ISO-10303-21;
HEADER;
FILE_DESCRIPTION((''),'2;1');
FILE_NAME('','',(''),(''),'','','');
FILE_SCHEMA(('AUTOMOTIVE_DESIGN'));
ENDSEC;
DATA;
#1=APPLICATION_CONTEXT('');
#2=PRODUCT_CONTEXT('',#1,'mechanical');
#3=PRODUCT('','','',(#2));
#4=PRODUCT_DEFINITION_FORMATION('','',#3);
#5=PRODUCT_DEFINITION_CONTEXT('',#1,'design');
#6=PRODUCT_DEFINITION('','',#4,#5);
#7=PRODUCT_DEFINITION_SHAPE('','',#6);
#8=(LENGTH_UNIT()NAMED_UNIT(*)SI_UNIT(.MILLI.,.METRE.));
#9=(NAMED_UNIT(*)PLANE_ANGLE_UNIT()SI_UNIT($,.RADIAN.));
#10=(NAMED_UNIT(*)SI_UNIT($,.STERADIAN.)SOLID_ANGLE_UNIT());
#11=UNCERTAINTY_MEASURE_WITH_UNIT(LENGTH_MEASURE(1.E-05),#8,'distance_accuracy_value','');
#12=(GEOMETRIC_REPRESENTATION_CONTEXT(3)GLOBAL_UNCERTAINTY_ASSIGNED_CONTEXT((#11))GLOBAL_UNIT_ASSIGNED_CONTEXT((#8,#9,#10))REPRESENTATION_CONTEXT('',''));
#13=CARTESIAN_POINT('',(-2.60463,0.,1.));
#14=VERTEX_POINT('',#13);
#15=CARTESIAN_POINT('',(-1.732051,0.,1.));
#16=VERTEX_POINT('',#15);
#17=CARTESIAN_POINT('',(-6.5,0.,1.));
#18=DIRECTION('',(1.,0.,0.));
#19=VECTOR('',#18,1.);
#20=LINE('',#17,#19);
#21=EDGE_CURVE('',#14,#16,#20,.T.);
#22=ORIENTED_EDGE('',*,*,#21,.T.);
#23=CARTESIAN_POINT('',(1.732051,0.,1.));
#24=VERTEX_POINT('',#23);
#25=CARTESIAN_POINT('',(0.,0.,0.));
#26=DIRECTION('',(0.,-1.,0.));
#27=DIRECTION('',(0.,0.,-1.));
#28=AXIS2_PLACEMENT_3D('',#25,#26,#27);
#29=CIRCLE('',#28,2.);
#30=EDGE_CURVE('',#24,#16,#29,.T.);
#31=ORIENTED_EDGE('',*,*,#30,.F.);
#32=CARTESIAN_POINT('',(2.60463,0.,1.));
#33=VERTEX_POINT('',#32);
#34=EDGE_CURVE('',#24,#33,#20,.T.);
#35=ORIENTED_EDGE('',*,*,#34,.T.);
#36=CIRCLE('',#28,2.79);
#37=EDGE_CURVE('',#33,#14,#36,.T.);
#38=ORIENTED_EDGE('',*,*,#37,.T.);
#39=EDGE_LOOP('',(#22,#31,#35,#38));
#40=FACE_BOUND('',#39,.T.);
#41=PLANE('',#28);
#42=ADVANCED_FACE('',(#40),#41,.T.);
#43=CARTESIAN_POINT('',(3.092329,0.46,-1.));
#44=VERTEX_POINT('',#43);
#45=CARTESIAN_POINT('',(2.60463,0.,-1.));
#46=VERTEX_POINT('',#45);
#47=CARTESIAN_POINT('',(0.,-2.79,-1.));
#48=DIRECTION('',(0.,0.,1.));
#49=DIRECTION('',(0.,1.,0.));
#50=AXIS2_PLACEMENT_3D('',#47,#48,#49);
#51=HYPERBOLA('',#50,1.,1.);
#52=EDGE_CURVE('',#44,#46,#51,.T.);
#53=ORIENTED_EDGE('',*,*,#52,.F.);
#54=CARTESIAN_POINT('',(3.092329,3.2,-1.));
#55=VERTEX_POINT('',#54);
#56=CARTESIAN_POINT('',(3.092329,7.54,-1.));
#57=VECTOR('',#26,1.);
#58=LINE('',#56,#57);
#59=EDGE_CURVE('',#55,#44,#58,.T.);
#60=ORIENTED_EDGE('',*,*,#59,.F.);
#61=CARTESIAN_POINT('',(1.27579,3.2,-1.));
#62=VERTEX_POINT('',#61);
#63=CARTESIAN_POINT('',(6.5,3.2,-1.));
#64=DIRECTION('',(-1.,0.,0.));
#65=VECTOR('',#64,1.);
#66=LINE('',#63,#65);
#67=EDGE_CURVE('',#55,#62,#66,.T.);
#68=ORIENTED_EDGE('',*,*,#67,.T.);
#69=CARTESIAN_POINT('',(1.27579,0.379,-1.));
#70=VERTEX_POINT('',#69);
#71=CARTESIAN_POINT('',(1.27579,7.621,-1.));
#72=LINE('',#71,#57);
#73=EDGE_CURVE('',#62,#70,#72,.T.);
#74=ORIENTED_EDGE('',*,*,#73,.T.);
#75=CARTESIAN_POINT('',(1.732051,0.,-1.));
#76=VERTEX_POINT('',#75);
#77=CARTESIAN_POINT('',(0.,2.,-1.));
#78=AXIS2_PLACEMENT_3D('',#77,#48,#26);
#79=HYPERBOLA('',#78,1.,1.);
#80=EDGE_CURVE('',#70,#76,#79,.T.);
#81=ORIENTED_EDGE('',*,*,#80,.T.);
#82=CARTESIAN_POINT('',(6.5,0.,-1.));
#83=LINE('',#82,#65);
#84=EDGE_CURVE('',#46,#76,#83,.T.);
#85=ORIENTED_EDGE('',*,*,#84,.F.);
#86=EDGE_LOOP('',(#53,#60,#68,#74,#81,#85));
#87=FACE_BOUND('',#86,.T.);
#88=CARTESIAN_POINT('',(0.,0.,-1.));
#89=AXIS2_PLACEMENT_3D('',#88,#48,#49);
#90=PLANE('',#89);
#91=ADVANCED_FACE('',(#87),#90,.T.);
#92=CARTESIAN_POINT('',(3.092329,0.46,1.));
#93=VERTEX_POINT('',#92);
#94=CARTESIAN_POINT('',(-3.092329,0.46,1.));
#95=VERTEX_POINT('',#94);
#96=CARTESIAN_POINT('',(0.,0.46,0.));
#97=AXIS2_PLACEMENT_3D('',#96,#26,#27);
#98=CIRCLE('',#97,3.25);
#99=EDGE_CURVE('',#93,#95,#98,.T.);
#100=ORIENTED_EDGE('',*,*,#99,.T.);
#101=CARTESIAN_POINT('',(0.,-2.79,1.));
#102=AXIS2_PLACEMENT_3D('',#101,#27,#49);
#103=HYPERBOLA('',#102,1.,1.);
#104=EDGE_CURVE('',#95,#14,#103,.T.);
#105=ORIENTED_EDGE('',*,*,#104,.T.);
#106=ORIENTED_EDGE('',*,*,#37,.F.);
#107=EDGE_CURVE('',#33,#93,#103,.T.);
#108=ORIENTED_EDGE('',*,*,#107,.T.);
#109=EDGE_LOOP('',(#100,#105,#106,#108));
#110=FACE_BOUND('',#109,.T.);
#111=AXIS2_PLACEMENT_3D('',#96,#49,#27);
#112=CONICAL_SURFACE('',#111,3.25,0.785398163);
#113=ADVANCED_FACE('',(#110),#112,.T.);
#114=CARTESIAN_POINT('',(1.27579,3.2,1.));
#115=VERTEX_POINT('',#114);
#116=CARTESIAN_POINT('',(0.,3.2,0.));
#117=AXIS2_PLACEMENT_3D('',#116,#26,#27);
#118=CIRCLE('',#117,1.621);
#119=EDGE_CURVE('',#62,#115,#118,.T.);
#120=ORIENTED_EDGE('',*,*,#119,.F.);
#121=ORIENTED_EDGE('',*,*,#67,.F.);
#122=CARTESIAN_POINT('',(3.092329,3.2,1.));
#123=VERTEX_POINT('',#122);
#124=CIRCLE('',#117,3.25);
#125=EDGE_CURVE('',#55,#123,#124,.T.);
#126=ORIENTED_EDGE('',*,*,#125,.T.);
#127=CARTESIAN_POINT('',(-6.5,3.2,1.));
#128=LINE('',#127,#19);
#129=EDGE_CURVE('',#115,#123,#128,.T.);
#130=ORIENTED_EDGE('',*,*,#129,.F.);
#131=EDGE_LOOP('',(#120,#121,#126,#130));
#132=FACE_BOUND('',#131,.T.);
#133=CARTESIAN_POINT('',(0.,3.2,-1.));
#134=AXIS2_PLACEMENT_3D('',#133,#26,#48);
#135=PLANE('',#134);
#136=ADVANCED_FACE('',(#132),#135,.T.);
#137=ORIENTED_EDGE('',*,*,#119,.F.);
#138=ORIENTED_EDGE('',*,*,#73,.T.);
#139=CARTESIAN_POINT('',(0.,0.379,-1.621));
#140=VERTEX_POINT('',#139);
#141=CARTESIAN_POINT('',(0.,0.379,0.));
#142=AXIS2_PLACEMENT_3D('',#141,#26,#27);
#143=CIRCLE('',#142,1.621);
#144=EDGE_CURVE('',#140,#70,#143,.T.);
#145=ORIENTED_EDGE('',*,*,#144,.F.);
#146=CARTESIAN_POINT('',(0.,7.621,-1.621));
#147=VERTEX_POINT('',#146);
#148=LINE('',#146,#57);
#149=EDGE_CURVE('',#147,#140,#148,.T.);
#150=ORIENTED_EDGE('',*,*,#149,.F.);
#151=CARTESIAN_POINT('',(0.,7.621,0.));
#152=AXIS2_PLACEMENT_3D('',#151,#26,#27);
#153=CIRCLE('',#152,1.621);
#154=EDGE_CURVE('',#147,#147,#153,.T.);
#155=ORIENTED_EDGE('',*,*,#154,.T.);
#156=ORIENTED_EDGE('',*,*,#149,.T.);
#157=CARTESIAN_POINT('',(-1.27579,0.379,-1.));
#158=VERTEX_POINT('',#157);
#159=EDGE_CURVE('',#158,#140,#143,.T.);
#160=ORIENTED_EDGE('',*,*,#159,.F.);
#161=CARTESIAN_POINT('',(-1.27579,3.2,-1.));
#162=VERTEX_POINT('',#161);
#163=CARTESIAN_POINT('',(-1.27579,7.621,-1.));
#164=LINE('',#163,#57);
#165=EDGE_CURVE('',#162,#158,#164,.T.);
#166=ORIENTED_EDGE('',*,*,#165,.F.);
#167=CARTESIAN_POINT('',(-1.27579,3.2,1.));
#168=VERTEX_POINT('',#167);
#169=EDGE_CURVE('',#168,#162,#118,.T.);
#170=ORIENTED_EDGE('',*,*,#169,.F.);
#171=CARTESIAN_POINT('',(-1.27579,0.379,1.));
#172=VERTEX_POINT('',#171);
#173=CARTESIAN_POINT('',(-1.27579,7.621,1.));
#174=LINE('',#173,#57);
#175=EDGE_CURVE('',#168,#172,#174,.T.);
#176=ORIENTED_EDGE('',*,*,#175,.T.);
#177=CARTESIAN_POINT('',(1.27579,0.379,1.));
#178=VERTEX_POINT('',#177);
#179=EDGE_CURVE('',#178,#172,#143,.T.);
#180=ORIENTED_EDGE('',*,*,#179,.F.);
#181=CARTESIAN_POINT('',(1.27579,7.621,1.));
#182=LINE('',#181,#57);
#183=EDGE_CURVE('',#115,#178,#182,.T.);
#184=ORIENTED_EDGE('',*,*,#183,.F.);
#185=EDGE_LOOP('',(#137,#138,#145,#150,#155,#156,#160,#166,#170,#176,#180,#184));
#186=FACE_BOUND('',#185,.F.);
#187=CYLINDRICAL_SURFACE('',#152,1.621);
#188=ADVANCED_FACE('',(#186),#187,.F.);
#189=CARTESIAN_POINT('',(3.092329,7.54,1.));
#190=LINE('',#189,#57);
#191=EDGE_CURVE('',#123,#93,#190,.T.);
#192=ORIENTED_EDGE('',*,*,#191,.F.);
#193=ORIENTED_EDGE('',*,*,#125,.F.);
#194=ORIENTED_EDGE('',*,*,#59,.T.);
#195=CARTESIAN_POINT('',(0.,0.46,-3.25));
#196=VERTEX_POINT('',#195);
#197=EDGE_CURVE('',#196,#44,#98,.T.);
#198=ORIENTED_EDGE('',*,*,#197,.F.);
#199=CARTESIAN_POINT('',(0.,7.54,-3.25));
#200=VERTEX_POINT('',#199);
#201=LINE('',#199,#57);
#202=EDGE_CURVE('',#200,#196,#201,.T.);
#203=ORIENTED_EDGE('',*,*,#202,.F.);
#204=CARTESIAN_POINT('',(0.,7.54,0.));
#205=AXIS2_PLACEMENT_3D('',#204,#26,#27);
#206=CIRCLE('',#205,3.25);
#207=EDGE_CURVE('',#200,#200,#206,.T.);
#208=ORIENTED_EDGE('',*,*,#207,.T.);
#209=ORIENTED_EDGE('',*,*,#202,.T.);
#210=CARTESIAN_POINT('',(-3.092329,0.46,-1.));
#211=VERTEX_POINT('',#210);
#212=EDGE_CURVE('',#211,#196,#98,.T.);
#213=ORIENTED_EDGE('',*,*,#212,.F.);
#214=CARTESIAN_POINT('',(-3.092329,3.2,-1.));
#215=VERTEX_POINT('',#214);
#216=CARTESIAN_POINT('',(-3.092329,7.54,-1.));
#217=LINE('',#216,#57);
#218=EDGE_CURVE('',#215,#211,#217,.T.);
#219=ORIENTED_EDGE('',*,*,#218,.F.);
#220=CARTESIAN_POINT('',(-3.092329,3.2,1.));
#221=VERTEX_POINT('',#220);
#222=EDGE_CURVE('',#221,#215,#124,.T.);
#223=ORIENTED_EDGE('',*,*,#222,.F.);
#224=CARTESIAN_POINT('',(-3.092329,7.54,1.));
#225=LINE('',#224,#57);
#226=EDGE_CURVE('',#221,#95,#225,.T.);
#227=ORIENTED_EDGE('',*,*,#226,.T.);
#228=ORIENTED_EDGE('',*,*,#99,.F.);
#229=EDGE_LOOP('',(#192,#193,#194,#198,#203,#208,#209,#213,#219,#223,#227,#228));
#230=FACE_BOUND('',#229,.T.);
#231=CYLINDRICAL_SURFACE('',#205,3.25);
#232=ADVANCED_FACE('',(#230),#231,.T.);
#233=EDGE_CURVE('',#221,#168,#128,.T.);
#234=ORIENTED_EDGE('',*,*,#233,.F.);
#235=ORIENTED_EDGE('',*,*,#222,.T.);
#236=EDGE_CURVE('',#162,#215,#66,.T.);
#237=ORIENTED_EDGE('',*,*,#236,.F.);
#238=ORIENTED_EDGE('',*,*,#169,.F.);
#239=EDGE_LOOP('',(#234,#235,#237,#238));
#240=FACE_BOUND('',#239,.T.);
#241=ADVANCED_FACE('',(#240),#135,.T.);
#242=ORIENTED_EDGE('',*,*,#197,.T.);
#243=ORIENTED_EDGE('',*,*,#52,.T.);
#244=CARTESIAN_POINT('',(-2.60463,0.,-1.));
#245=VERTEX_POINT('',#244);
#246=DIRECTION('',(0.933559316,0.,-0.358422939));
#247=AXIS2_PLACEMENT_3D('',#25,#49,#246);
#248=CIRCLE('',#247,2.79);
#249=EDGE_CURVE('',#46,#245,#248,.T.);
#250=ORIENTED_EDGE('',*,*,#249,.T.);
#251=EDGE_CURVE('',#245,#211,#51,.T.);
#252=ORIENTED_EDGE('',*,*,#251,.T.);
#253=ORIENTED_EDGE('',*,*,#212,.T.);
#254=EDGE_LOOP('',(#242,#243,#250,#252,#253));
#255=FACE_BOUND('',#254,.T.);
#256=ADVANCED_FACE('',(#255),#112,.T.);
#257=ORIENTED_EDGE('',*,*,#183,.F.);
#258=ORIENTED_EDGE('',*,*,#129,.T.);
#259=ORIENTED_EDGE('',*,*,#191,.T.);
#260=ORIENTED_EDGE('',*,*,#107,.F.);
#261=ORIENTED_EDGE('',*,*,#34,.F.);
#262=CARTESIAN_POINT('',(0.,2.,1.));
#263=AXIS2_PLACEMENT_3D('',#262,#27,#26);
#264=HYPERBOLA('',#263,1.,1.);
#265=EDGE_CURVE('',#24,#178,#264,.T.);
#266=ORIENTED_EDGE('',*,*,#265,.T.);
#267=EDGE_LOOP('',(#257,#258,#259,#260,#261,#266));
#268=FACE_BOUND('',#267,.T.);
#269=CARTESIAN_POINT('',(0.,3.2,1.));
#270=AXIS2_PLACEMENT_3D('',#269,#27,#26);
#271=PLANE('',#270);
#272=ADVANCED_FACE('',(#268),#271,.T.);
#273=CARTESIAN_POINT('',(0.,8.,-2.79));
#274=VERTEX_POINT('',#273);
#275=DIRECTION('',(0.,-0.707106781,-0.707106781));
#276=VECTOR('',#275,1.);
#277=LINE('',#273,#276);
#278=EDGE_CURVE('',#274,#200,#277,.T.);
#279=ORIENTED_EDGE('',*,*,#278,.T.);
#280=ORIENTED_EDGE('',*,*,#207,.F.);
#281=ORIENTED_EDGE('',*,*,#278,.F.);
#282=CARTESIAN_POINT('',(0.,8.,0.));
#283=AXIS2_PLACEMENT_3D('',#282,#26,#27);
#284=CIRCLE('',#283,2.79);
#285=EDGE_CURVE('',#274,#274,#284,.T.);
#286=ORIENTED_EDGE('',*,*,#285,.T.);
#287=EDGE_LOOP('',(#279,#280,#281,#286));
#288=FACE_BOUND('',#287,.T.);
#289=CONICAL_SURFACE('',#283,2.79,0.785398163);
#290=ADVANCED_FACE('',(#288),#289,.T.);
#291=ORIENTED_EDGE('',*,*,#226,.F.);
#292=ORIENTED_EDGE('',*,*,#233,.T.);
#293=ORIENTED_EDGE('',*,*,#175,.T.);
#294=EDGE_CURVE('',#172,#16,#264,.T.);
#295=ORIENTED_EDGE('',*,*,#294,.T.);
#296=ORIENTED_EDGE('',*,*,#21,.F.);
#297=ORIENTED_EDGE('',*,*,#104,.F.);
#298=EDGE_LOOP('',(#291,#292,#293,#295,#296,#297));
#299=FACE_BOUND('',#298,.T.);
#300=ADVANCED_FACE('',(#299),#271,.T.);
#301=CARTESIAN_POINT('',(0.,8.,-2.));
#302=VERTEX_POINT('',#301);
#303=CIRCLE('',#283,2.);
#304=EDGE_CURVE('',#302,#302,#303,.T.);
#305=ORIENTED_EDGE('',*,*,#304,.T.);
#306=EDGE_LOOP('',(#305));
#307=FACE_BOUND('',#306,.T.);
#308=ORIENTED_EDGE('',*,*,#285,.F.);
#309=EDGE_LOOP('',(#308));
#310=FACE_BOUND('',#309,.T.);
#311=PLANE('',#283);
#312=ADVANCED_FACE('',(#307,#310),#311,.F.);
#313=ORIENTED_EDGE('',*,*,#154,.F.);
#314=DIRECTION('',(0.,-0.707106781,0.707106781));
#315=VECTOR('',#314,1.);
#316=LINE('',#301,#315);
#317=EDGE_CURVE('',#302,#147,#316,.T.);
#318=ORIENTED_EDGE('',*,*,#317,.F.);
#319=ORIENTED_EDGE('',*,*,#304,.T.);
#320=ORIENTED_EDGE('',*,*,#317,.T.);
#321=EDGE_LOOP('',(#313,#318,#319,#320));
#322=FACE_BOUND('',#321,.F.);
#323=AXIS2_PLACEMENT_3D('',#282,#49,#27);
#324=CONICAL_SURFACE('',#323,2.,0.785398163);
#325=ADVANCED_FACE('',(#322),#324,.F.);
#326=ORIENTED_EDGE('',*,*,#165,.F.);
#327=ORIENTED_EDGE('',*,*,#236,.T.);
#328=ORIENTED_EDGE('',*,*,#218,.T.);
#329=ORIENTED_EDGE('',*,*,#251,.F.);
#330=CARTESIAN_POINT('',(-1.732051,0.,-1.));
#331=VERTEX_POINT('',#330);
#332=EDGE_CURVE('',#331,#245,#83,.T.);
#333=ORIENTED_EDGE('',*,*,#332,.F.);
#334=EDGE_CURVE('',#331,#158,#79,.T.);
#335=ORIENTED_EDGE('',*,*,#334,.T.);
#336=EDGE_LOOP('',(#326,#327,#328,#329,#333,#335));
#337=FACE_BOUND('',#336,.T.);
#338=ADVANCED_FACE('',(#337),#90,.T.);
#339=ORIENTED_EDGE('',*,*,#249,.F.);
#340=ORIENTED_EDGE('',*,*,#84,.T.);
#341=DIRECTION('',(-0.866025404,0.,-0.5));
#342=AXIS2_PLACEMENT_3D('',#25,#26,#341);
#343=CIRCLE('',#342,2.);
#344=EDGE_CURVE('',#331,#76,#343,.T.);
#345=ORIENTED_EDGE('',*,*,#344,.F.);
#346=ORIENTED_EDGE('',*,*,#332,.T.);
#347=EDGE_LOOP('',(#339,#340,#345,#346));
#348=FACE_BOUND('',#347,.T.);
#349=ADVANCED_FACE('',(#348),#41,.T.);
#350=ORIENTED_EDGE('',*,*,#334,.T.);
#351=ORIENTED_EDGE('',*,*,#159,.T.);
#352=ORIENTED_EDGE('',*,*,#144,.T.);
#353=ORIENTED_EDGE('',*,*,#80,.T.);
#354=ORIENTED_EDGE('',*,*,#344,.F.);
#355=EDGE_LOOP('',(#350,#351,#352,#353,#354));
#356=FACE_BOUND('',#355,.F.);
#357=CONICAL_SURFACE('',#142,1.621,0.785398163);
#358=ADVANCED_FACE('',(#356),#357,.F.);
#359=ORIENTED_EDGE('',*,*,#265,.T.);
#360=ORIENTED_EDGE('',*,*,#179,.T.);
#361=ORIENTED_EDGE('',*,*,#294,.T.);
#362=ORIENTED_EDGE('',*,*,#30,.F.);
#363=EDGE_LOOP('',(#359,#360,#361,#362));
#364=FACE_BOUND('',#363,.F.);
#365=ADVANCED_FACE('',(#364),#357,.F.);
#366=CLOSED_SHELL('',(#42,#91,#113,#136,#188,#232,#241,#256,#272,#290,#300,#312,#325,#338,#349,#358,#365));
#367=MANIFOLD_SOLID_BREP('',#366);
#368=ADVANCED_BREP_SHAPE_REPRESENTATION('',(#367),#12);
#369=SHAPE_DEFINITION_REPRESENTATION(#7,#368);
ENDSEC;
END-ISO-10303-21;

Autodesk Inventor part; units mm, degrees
ref_plane "YZ Plane" through (0, 0, 0) normal (1, 0, 0) x (0, 1, 0)
ref_plane "XZ Plane" through (0, 0, 0) normal (0, 1, 0) x (-1, 0, 0)
ref_plane "XY Plane" through (0, 0, 0) normal (0, 0, 1) x (1, 0, 0)
sketch "__4" plane through (0, 0, 0) normal (1, 0, 0) x (0, 1, 0)
  line L0 (0, 0) -> (8, 0)
  line L1 (8, 0) -> (8, -2.79)
  line L2 (8, -2.79) -> (7.54, -3.25)
  line L3 (7.54, -3.25) -> (0.46, -3.25)
  line L4 (0.46, -3.25) -> (0, -2.79)
  line L5 (0, -2.79) -> (0, 0)
  line L6 (0, 0) -> (8, 0)
revolve "Revolution1" add sketch "__4" angle 360 about axis through (0, 0, 0) along (0, -1, 0)
sketch "__5" plane through (0, 0, 0) normal (1, 0, 0) x (0, 1, 0)
  line L0 (0, 0) -> (8, 0)
  line L1 (8, 0) -> (8, -2)
  line L2 (8, -2) -> (7.621, -1.621)
  line L3 (7.621, -1.621) -> (0.379, -1.621)
  line L4 (0.379, -1.621) -> (0, -2)
  line L5 (0, -2) -> (0, 0)
  line L6 (0, 0) -> (8, 0)
revolve "Revolution2" cut sketch "__5" angle 360 about axis through (0, 0, 0) along (0, -1, 0)
thread "Thread1" size "M4x0.7" class "6H" standard "ISO Metric profile" full length
sketch "__6" plane through (0, 0, 0) normal (1, 0, 0) x (0, 1, 0)
  line L0 (3.2, 1) -> (0, 1)
  line L1 (0, 1) -> (0, -1)
  line L2 (0, -1) -> (3.2, -1)
  line L3 (3.2, -1) -> (3.2, 1)
extrude "Extrusion1" cut sketch "__6" along normal mid plane 13
properties part number "105.040" material "Steel"
